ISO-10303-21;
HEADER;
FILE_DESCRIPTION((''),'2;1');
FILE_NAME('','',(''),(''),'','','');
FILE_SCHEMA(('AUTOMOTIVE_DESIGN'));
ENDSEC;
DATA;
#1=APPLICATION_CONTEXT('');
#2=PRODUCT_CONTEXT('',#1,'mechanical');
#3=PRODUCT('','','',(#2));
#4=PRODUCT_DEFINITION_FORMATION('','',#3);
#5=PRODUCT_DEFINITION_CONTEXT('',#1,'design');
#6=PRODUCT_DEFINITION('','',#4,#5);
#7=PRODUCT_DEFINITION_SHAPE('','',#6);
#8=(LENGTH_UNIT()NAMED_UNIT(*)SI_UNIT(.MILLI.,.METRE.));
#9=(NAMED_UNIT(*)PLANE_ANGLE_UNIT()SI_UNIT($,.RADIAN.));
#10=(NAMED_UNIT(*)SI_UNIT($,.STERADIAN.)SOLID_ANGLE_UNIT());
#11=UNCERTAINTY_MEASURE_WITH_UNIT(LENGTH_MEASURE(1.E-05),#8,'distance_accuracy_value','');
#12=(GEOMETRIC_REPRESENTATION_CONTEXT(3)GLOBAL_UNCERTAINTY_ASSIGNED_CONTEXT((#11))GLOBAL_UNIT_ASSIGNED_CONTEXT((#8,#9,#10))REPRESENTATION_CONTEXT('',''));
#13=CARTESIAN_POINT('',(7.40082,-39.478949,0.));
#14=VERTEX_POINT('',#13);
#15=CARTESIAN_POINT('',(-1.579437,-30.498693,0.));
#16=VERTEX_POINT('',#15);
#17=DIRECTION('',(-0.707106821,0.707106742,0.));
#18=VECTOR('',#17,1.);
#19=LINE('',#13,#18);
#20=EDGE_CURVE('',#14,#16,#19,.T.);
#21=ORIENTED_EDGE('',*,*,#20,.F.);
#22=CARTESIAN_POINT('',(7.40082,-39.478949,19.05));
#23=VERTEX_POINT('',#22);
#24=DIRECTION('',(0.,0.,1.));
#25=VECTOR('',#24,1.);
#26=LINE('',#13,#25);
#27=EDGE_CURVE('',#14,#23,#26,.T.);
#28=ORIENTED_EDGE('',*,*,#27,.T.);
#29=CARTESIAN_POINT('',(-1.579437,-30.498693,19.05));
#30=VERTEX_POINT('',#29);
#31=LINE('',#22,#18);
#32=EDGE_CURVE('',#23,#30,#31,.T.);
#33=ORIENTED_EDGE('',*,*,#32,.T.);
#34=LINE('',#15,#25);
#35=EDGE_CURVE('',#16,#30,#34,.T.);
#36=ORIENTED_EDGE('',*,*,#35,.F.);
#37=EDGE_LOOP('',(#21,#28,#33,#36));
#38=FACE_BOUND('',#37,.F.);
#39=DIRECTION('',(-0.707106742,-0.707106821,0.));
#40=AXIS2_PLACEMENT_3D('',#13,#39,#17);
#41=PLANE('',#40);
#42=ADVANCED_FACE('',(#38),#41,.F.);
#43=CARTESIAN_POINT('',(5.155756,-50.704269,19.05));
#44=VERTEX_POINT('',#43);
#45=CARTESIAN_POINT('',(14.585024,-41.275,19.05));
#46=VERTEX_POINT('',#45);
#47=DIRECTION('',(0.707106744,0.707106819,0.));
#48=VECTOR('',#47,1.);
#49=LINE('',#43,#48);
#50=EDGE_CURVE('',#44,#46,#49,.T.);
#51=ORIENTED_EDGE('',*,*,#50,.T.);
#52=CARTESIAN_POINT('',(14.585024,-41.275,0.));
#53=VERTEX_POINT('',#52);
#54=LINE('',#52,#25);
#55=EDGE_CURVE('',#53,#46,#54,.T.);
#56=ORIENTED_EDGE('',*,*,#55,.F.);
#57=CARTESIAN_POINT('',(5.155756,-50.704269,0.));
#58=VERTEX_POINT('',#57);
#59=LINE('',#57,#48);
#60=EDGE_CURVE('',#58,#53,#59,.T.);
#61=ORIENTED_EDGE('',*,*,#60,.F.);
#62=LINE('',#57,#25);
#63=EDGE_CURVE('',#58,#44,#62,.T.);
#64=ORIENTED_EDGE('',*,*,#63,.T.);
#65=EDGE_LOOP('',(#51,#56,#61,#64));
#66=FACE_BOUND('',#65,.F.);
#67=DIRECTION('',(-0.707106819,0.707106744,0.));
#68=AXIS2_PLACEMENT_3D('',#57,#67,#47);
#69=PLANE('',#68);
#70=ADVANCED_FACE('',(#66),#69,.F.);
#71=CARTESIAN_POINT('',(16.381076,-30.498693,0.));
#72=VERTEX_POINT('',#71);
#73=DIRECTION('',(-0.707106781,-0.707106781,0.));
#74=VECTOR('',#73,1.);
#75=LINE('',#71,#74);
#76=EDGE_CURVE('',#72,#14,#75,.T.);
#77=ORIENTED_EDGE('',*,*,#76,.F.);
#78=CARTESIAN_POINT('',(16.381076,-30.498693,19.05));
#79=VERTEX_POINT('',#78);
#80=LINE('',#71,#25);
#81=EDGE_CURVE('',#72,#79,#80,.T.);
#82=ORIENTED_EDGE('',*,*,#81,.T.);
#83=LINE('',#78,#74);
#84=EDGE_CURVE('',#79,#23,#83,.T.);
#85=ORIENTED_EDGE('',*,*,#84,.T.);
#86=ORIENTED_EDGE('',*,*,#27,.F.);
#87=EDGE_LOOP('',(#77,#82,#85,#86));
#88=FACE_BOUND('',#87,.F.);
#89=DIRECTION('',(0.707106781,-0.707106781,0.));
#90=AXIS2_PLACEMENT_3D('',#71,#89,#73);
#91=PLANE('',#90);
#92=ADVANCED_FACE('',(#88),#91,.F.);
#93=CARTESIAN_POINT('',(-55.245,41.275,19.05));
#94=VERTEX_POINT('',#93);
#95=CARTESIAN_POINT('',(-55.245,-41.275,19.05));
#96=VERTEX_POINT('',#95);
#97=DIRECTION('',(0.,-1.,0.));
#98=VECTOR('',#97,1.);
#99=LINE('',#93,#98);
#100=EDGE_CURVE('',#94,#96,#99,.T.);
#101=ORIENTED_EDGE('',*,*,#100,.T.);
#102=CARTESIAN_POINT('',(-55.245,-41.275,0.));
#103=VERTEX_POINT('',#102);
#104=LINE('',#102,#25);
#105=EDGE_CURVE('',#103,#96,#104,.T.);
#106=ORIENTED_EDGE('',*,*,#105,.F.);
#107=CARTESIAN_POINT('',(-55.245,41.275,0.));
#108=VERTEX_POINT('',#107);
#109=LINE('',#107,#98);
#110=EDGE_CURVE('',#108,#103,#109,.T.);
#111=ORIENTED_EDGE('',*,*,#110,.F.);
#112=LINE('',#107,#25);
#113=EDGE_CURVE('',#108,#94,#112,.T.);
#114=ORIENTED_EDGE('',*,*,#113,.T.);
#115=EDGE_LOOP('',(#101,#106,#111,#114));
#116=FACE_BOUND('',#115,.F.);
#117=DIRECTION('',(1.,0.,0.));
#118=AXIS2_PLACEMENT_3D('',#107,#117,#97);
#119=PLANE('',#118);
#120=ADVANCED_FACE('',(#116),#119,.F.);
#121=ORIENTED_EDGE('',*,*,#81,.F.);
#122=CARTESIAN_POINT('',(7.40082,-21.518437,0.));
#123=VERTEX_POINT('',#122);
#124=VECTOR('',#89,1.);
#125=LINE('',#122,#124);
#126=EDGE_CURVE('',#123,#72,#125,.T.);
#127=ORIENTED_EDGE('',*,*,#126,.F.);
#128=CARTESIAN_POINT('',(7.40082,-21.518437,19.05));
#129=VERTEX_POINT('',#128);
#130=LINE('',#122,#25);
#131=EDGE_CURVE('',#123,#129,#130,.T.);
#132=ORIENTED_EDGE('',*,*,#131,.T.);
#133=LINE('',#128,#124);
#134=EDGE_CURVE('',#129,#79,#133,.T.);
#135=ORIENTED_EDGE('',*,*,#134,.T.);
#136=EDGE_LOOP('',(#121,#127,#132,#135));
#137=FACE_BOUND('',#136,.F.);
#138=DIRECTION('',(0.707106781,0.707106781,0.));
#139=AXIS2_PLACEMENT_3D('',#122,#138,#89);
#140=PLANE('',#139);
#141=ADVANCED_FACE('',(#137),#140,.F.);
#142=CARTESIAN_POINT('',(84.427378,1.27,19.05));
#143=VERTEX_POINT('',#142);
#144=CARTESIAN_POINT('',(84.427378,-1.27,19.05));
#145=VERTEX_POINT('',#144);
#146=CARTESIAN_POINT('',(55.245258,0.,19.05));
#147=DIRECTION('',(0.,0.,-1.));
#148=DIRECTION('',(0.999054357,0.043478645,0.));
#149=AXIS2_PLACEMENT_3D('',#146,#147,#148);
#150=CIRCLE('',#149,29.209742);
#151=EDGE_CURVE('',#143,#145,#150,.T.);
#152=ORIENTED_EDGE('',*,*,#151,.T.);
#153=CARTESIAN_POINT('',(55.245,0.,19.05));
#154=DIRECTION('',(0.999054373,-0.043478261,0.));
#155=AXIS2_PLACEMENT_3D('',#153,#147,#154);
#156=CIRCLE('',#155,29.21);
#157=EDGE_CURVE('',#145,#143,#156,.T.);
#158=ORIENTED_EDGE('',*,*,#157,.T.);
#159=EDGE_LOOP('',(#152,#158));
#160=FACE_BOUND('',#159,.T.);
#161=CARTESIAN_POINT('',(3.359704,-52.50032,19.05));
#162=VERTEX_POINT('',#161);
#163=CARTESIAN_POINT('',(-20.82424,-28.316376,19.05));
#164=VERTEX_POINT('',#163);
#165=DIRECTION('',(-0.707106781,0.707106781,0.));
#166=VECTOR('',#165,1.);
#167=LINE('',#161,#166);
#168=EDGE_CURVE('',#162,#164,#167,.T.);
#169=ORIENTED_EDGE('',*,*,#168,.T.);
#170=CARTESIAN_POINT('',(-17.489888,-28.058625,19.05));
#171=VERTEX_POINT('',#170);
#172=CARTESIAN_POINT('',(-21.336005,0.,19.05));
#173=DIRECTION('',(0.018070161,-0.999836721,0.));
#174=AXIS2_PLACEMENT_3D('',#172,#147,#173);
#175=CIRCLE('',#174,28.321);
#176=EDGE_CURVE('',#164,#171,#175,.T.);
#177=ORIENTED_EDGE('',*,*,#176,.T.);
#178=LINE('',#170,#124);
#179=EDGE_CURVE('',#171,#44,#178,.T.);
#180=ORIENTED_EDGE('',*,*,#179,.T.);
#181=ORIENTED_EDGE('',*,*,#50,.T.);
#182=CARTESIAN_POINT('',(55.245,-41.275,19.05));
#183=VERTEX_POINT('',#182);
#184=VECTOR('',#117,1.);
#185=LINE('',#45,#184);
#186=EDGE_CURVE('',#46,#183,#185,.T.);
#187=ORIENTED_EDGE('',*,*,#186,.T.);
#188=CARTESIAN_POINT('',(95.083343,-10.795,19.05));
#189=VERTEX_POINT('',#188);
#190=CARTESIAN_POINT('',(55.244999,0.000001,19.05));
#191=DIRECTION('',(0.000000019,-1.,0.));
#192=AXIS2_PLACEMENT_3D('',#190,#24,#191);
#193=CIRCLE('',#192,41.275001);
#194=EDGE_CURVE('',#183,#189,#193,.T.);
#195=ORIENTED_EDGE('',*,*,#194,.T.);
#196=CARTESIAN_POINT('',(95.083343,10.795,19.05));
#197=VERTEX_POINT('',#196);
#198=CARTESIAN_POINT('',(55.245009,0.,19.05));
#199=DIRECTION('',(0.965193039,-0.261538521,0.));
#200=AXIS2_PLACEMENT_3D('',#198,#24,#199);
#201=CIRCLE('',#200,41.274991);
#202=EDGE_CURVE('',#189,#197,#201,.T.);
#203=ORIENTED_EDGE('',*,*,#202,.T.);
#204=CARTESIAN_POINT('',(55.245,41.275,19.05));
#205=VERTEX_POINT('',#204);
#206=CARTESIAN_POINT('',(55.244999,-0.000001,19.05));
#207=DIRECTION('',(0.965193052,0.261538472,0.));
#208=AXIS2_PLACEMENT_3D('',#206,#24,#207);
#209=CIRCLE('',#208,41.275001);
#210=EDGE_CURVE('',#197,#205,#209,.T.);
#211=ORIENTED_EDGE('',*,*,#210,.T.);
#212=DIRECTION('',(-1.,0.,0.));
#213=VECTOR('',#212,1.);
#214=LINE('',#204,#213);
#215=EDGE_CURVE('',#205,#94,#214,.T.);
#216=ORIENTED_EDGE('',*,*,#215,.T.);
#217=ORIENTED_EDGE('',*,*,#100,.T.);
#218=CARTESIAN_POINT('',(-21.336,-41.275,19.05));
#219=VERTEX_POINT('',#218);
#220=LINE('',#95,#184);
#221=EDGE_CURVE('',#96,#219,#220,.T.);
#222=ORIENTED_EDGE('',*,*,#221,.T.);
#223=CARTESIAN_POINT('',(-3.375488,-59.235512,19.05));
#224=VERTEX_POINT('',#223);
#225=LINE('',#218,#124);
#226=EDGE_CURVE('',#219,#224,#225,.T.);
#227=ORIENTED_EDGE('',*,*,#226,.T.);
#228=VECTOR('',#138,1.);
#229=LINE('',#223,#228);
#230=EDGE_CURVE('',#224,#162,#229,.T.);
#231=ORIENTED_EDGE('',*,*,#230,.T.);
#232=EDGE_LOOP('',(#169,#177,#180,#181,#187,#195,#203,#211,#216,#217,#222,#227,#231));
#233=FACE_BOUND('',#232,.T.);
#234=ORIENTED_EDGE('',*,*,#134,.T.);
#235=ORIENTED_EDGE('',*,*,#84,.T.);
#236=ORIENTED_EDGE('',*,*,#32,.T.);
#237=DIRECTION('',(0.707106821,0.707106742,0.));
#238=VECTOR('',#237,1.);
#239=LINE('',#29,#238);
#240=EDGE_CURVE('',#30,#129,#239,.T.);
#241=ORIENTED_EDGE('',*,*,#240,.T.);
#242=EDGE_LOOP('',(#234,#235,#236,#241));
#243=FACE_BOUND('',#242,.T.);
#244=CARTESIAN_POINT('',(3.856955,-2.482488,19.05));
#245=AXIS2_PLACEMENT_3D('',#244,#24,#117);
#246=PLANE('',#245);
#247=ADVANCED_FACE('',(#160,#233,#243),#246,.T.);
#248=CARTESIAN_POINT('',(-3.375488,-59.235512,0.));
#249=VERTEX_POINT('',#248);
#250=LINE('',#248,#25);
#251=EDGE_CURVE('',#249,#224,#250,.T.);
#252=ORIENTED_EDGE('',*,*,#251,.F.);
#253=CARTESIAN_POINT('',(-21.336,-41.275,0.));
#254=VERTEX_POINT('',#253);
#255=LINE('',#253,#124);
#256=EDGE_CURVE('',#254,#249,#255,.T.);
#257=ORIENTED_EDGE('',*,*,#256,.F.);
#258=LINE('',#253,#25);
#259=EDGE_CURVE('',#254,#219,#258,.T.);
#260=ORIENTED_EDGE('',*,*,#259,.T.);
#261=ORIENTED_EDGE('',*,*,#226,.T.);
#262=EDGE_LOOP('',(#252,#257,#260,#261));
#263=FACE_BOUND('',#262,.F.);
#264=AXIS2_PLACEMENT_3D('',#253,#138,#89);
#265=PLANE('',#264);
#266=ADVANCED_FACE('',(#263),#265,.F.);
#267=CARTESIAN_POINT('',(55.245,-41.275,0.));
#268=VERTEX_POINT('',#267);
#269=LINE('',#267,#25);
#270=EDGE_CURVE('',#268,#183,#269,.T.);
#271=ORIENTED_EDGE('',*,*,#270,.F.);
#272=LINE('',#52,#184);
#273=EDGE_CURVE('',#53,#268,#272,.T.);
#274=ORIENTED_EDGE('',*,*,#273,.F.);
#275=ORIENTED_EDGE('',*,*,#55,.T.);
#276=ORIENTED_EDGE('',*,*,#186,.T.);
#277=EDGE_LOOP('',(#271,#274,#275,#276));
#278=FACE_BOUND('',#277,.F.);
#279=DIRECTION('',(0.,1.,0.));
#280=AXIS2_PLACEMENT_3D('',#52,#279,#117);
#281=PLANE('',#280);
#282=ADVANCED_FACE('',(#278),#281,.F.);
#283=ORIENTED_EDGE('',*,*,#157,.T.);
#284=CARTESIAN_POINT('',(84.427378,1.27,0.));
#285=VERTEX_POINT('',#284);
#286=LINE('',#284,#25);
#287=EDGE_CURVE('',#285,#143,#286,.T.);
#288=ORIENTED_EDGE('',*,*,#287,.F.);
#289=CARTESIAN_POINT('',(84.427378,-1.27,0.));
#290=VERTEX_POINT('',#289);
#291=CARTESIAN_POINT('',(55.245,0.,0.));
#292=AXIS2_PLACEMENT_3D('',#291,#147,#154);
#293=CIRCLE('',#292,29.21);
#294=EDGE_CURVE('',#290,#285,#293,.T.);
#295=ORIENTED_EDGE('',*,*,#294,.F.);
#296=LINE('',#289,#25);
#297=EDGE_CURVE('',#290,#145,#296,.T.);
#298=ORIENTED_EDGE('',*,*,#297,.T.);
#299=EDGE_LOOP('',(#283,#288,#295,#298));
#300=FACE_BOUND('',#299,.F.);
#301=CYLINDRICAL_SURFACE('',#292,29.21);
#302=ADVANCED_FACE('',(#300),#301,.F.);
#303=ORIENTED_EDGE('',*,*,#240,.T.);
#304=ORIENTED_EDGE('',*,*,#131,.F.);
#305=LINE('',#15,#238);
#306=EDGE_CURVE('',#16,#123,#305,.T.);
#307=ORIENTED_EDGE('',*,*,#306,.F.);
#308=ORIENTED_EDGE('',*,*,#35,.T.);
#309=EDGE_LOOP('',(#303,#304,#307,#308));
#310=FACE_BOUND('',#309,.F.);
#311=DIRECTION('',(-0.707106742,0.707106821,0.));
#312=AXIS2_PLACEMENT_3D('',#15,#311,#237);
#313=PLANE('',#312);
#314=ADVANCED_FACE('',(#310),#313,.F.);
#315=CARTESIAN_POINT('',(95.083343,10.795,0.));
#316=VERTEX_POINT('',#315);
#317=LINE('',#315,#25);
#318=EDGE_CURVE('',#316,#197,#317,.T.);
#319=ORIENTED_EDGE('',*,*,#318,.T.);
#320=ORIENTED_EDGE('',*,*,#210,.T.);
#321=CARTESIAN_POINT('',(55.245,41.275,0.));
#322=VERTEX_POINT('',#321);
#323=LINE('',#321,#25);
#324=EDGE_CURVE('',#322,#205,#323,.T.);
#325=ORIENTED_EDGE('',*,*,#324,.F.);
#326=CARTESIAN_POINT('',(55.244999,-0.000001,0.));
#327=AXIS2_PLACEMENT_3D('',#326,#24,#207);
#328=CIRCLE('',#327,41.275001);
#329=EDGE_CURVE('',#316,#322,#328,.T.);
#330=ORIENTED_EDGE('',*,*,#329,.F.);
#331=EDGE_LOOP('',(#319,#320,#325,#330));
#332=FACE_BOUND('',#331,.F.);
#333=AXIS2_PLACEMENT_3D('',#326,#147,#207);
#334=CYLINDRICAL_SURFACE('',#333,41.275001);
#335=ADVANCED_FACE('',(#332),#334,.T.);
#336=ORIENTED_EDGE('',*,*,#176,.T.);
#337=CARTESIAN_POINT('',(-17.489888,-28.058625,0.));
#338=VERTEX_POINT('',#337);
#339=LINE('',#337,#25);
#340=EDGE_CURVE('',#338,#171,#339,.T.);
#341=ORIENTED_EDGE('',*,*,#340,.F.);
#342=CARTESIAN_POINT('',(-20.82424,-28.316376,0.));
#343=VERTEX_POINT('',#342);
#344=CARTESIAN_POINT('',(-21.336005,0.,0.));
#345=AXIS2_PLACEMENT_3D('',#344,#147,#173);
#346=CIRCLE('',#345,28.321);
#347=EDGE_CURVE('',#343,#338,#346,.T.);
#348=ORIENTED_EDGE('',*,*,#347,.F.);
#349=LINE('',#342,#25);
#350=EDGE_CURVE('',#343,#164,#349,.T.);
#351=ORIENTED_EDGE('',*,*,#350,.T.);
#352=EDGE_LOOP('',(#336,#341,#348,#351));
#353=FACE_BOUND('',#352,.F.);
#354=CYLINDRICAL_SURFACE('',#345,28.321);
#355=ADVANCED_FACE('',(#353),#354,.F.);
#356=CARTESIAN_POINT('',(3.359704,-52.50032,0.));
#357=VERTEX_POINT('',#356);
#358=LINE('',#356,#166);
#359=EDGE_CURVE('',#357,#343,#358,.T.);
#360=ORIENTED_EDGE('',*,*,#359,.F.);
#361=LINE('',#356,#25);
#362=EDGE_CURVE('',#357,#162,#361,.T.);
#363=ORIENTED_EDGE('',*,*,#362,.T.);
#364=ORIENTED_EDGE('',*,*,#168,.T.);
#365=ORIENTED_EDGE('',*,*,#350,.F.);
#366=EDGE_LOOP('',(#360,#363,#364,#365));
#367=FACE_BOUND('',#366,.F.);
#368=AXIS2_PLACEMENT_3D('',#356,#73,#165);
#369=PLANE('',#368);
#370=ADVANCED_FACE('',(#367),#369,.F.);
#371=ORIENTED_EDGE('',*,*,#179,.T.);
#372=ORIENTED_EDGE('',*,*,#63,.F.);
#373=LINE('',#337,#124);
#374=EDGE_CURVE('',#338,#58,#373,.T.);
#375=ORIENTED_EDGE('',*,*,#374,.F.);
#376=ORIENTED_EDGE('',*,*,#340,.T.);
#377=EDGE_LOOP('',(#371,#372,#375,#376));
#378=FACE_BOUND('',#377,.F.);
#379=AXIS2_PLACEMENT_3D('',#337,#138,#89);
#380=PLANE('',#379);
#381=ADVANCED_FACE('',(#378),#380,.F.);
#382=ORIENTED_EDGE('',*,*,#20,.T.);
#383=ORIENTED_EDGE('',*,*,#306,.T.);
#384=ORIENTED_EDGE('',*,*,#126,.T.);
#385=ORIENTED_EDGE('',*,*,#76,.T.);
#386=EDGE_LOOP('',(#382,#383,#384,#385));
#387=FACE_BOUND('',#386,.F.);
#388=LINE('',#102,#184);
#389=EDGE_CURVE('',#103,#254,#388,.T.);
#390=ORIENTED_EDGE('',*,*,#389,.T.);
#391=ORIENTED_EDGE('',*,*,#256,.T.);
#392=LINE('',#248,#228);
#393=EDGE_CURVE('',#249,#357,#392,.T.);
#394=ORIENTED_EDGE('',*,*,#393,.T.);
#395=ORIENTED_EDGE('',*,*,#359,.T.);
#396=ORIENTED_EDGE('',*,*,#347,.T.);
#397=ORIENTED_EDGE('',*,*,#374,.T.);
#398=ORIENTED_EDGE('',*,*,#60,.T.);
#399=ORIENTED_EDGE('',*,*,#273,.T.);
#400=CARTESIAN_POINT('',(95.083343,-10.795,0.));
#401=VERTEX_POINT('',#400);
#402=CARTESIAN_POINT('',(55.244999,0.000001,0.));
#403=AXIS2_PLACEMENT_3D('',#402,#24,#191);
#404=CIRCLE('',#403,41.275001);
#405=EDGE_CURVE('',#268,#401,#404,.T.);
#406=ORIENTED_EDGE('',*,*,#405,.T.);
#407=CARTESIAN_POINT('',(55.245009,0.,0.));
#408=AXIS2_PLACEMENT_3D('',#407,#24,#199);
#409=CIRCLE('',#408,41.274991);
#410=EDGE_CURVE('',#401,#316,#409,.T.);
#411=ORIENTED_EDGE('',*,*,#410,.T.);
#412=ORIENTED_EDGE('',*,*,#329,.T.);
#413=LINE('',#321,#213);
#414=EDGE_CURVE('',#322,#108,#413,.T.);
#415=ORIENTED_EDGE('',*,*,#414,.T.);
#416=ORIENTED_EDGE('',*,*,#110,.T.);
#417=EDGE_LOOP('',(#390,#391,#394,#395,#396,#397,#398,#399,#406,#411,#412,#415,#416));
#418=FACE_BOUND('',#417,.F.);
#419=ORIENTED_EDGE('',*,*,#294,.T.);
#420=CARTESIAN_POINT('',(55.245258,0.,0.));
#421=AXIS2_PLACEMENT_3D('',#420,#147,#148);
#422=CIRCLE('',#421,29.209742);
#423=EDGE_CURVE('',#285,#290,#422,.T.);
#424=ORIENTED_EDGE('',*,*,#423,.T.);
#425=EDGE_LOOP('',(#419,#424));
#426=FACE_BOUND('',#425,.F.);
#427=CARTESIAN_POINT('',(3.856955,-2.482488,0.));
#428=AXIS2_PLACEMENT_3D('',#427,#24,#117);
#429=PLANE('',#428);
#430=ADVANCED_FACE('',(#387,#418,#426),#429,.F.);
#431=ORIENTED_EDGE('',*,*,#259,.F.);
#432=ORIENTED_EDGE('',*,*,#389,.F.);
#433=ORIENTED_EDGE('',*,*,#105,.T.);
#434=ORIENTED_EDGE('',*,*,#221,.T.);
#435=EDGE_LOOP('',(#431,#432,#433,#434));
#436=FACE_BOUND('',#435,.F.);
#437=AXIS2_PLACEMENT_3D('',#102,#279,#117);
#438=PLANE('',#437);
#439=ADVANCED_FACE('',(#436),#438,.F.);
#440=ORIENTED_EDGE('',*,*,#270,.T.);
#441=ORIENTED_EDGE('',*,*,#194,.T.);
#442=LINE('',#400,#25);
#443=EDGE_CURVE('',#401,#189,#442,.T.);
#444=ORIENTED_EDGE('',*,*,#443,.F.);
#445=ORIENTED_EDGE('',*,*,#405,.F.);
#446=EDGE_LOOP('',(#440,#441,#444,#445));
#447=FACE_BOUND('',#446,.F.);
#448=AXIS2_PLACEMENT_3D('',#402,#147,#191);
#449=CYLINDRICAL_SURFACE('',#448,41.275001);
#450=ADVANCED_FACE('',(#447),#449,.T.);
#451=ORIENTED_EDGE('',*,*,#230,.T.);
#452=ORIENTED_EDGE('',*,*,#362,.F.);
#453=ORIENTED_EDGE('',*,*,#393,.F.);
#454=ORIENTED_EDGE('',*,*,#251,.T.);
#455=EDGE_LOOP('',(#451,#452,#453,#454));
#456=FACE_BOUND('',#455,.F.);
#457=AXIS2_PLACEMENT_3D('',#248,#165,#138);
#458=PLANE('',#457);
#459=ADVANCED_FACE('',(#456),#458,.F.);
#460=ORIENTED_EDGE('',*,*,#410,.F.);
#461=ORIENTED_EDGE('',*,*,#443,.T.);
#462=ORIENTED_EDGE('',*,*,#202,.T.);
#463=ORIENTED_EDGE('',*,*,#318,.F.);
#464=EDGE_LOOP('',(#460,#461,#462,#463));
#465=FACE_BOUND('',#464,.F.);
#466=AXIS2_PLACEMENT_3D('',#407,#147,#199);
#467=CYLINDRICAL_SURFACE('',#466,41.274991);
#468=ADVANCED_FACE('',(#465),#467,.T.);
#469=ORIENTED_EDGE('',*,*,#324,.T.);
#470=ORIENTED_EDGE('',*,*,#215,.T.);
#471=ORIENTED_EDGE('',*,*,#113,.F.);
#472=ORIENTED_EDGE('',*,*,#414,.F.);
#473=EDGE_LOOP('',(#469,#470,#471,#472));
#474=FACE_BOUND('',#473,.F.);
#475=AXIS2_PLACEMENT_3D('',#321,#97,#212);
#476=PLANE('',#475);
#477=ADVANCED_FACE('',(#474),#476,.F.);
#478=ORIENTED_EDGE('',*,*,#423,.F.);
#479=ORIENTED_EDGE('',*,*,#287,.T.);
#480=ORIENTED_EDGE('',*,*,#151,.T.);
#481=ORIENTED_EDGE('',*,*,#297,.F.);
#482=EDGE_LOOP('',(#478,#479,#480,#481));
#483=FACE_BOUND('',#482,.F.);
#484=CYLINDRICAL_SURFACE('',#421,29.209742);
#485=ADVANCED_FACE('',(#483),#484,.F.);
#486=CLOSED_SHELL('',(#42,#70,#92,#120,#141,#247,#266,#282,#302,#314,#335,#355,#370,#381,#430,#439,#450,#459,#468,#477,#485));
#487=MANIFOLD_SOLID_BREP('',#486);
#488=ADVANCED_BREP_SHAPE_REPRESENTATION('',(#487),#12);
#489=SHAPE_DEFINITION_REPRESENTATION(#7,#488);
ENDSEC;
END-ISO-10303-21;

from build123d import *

# Parameters (mm, degrees)
F1_DEPTH = 19.05


with BuildPart() as f1:
    # F0 (on Top) → F1 (new body)
    with BuildSketch(Plane.XY):
        with BuildLine():
            ThreePointArc((95.083343, 10.795), (80.32549, 32.78101), (55.245, 41.275))
            Line((55.245, 41.275), (-55.245, 41.275))
            Line((-55.245, 41.275), (-55.245, -41.275))
            Line((-55.245, -41.275), (-21.336, -41.275))
            Line((-21.336, -41.275), (-7.865616, -41.275))
            Line((-7.865616, -41.275), (-20.82424, -28.316376))
            ThreePointArc((-20.82424, -28.316376), (-23.518744, 28.236761), (-17.489888, -28.058625))
            Line((-17.489888, -28.058625), (-4.273513, -41.275))
            Line((-4.273513, -41.275), (5.155756, -50.704269))
            Line((5.155756, -50.704269), (14.585024, -41.275))
            Line((14.585024, -41.275), (55.245, -41.275))
            ThreePointArc((55.245, -41.275), (80.32549, -32.78101), (95.083343, -10.795))
            ThreePointArc((95.083343, -10.795), (96.52, 0), (95.083343, 10.795))
        make_face()
        Polygon((16.381076, -30.498693), (7.40082, -39.478949), (-1.579437, -30.498693), (7.40082, -21.518437), align=None, mode=Mode.SUBTRACT)
        with BuildLine():
            ThreePointArc((84.427378, -1.27), (26.035, 0), (84.427378, 1.27))
            ThreePointArc((84.427378, 1.27), (84.455, 0), (84.427378, -1.27))
        make_face(mode=Mode.SUBTRACT)
        Polygon((-7.865616, -41.275), (-21.336, -41.275), (-3.375488, -59.235512), (3.359704, -52.50032), align=None)
    extrude(amount=F1_DEPTH)


solid = f1.part
